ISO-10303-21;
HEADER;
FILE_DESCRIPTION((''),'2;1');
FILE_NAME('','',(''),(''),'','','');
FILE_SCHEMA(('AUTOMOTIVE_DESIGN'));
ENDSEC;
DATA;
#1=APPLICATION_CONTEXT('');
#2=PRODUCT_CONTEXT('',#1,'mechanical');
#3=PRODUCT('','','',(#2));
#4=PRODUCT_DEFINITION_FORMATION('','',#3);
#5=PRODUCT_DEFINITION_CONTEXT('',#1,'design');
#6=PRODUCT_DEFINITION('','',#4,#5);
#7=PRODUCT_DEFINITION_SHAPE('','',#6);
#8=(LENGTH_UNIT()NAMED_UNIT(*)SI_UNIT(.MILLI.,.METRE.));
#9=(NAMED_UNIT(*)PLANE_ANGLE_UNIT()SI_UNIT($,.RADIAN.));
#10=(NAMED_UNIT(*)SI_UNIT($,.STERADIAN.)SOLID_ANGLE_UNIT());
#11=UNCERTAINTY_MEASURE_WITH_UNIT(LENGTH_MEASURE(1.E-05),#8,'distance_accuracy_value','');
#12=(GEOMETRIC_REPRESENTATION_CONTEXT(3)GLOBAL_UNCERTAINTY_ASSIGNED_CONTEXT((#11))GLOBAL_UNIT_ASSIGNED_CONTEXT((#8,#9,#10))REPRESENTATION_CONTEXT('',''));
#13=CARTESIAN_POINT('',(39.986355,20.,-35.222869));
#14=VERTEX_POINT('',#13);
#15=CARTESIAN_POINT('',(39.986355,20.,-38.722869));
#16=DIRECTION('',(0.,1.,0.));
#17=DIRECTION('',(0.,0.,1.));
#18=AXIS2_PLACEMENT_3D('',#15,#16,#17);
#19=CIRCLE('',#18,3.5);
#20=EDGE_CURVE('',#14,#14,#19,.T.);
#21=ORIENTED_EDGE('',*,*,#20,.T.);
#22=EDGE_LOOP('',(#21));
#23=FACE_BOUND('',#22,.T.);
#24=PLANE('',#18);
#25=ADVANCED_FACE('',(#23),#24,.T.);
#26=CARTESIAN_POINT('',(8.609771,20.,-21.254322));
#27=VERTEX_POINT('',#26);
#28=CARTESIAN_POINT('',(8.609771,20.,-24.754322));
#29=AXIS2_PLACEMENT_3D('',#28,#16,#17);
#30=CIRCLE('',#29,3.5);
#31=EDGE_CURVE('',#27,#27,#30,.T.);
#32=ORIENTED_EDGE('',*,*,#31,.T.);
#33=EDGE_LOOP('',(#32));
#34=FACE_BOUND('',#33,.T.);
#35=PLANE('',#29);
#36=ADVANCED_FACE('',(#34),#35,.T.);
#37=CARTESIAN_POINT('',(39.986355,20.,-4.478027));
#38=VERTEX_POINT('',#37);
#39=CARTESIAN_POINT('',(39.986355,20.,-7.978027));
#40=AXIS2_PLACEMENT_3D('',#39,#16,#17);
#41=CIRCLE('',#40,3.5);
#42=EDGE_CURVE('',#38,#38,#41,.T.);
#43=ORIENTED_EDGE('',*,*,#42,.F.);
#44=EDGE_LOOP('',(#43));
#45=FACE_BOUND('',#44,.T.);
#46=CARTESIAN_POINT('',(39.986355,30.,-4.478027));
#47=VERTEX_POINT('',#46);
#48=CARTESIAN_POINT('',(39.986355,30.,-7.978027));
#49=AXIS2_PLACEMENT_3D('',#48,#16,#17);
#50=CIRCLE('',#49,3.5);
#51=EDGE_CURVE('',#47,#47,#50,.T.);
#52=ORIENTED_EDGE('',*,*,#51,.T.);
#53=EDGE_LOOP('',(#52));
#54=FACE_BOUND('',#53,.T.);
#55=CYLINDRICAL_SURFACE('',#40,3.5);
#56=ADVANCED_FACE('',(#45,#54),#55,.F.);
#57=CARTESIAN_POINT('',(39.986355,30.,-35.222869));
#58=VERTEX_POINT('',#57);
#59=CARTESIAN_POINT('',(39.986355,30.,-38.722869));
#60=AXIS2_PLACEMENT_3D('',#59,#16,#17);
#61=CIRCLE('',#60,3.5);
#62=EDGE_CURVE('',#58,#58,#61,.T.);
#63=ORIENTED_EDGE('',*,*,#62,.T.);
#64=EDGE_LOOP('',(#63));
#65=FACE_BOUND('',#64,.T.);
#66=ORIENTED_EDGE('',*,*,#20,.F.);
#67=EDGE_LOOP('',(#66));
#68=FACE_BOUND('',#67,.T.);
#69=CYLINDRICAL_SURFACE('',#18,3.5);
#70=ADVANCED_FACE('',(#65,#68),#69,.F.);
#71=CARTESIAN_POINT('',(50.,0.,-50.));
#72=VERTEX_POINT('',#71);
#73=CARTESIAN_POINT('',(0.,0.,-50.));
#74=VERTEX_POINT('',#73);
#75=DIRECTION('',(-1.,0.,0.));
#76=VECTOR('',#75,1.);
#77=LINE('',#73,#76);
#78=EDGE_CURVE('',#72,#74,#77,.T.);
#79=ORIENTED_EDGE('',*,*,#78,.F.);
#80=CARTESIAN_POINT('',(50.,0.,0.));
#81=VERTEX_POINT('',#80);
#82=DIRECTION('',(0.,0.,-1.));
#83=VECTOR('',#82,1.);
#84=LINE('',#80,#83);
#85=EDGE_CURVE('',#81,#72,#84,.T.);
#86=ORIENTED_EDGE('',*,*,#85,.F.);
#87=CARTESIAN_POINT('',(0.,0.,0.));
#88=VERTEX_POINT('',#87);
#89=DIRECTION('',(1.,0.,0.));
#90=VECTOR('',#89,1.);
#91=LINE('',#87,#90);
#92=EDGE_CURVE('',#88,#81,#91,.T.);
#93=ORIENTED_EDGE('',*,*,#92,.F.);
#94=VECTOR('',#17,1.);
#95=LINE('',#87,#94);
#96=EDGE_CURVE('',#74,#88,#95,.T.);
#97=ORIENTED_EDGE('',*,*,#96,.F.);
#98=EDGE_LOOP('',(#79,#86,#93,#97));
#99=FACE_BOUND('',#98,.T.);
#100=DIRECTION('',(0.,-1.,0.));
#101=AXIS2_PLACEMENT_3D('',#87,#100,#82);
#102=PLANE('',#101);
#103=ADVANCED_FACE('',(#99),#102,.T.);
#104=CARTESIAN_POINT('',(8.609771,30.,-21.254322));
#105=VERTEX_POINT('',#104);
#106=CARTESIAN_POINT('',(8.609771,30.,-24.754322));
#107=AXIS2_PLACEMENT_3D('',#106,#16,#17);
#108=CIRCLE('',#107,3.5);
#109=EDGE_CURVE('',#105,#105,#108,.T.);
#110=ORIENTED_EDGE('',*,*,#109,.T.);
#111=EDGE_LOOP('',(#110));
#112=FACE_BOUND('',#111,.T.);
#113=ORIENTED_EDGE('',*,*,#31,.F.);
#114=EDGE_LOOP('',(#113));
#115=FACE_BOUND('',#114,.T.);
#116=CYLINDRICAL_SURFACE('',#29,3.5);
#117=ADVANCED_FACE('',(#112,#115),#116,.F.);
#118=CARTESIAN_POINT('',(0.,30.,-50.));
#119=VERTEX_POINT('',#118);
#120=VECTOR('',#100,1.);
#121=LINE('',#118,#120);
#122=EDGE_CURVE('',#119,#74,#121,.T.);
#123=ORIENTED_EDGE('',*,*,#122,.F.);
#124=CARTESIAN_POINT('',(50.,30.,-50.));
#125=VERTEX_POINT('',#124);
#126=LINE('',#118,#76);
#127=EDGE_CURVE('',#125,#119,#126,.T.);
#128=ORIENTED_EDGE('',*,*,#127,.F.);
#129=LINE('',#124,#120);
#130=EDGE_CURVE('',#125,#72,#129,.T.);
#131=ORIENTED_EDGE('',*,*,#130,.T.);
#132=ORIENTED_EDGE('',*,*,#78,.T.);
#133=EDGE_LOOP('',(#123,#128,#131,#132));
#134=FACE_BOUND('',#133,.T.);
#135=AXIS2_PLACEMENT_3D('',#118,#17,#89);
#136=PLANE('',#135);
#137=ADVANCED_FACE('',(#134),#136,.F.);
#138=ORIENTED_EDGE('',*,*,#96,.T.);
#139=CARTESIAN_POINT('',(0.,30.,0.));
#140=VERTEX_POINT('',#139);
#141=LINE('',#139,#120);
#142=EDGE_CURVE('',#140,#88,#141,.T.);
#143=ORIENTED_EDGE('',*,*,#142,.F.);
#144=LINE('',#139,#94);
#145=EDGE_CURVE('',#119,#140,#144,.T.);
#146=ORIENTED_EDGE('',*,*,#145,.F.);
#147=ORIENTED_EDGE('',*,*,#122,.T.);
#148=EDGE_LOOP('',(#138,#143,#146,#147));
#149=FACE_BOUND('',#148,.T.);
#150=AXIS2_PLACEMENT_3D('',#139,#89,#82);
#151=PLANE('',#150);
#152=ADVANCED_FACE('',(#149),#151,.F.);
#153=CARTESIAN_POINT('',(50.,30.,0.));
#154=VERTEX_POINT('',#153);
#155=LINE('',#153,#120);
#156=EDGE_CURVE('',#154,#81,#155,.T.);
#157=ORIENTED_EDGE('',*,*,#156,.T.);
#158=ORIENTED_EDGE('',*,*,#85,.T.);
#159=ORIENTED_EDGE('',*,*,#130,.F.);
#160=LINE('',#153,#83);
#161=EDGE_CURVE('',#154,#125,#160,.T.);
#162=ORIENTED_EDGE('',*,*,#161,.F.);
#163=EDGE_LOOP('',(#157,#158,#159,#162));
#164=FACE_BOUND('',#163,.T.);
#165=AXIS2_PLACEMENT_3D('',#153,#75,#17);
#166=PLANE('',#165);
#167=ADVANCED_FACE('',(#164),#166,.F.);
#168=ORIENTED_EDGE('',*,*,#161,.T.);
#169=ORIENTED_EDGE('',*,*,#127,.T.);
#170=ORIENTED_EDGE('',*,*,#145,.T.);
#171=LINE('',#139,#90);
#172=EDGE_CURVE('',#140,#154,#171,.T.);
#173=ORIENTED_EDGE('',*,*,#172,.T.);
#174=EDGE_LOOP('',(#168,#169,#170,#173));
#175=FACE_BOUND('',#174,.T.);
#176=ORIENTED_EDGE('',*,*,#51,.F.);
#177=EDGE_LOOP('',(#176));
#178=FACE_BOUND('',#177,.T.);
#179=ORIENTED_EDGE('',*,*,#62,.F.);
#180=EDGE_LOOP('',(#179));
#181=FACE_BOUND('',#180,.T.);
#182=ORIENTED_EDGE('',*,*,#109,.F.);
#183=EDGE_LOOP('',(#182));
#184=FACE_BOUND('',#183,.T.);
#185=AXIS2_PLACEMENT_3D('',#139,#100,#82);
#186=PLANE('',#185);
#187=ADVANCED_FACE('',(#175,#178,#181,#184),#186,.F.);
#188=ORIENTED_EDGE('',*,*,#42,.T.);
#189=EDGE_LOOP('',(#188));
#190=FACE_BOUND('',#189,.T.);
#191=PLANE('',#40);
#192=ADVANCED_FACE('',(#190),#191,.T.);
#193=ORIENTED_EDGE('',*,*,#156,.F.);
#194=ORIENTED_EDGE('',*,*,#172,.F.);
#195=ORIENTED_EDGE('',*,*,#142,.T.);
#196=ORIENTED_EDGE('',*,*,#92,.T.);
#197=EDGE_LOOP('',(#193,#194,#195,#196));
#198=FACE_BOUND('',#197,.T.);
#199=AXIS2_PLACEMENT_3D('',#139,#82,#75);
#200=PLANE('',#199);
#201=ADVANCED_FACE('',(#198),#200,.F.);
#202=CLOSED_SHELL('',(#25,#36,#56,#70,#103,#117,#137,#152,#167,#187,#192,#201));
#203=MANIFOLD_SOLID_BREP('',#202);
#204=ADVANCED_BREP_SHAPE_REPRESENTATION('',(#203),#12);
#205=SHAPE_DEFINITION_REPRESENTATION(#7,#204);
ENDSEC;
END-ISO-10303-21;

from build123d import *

# Parameters (mm, degrees)
SKETCH1_W           = 50
SKETCH1_H           = 50
BOSS_EXTRUDE1_DEPTH = 30
SKETCH2_R           = 3.5
CUT_EXTRUDE1_DEPTH  = 10


with BuildPart() as part:
    # Sketch1 → Boss-Extrude1 (new body)
    with BuildSketch(Plane(origin=(0, 0, 0), x_dir=(1, 0, 0), z_dir=(0, 1, 0))):
        with Locations((25, 25)):
            Rectangle(SKETCH1_W, SKETCH1_H)
    extrude(amount=BOSS_EXTRUDE1_DEPTH)

    # Sketch2 → Cut-Extrude1 (cut)
    with BuildSketch(Plane(origin=(0, 30, 0), x_dir=(1, 0, 0), z_dir=(0, 1, 0))):
        with Locations(Location((39.986355358, 38.722868724, 0), (0, 0, 270))):
            Circle(SKETCH2_R)
        with Locations(Location((39.986355358, 7.978027286, 0), (0, 0, 270))):
            Circle(SKETCH2_R)
        with Locations(Location((8.609770604, 24.754322043, 0), (0, 0, 270))):
            Circle(SKETCH2_R)
    extrude(amount=-CUT_EXTRUDE1_DEPTH, mode=Mode.SUBTRACT)


solid = part.part
